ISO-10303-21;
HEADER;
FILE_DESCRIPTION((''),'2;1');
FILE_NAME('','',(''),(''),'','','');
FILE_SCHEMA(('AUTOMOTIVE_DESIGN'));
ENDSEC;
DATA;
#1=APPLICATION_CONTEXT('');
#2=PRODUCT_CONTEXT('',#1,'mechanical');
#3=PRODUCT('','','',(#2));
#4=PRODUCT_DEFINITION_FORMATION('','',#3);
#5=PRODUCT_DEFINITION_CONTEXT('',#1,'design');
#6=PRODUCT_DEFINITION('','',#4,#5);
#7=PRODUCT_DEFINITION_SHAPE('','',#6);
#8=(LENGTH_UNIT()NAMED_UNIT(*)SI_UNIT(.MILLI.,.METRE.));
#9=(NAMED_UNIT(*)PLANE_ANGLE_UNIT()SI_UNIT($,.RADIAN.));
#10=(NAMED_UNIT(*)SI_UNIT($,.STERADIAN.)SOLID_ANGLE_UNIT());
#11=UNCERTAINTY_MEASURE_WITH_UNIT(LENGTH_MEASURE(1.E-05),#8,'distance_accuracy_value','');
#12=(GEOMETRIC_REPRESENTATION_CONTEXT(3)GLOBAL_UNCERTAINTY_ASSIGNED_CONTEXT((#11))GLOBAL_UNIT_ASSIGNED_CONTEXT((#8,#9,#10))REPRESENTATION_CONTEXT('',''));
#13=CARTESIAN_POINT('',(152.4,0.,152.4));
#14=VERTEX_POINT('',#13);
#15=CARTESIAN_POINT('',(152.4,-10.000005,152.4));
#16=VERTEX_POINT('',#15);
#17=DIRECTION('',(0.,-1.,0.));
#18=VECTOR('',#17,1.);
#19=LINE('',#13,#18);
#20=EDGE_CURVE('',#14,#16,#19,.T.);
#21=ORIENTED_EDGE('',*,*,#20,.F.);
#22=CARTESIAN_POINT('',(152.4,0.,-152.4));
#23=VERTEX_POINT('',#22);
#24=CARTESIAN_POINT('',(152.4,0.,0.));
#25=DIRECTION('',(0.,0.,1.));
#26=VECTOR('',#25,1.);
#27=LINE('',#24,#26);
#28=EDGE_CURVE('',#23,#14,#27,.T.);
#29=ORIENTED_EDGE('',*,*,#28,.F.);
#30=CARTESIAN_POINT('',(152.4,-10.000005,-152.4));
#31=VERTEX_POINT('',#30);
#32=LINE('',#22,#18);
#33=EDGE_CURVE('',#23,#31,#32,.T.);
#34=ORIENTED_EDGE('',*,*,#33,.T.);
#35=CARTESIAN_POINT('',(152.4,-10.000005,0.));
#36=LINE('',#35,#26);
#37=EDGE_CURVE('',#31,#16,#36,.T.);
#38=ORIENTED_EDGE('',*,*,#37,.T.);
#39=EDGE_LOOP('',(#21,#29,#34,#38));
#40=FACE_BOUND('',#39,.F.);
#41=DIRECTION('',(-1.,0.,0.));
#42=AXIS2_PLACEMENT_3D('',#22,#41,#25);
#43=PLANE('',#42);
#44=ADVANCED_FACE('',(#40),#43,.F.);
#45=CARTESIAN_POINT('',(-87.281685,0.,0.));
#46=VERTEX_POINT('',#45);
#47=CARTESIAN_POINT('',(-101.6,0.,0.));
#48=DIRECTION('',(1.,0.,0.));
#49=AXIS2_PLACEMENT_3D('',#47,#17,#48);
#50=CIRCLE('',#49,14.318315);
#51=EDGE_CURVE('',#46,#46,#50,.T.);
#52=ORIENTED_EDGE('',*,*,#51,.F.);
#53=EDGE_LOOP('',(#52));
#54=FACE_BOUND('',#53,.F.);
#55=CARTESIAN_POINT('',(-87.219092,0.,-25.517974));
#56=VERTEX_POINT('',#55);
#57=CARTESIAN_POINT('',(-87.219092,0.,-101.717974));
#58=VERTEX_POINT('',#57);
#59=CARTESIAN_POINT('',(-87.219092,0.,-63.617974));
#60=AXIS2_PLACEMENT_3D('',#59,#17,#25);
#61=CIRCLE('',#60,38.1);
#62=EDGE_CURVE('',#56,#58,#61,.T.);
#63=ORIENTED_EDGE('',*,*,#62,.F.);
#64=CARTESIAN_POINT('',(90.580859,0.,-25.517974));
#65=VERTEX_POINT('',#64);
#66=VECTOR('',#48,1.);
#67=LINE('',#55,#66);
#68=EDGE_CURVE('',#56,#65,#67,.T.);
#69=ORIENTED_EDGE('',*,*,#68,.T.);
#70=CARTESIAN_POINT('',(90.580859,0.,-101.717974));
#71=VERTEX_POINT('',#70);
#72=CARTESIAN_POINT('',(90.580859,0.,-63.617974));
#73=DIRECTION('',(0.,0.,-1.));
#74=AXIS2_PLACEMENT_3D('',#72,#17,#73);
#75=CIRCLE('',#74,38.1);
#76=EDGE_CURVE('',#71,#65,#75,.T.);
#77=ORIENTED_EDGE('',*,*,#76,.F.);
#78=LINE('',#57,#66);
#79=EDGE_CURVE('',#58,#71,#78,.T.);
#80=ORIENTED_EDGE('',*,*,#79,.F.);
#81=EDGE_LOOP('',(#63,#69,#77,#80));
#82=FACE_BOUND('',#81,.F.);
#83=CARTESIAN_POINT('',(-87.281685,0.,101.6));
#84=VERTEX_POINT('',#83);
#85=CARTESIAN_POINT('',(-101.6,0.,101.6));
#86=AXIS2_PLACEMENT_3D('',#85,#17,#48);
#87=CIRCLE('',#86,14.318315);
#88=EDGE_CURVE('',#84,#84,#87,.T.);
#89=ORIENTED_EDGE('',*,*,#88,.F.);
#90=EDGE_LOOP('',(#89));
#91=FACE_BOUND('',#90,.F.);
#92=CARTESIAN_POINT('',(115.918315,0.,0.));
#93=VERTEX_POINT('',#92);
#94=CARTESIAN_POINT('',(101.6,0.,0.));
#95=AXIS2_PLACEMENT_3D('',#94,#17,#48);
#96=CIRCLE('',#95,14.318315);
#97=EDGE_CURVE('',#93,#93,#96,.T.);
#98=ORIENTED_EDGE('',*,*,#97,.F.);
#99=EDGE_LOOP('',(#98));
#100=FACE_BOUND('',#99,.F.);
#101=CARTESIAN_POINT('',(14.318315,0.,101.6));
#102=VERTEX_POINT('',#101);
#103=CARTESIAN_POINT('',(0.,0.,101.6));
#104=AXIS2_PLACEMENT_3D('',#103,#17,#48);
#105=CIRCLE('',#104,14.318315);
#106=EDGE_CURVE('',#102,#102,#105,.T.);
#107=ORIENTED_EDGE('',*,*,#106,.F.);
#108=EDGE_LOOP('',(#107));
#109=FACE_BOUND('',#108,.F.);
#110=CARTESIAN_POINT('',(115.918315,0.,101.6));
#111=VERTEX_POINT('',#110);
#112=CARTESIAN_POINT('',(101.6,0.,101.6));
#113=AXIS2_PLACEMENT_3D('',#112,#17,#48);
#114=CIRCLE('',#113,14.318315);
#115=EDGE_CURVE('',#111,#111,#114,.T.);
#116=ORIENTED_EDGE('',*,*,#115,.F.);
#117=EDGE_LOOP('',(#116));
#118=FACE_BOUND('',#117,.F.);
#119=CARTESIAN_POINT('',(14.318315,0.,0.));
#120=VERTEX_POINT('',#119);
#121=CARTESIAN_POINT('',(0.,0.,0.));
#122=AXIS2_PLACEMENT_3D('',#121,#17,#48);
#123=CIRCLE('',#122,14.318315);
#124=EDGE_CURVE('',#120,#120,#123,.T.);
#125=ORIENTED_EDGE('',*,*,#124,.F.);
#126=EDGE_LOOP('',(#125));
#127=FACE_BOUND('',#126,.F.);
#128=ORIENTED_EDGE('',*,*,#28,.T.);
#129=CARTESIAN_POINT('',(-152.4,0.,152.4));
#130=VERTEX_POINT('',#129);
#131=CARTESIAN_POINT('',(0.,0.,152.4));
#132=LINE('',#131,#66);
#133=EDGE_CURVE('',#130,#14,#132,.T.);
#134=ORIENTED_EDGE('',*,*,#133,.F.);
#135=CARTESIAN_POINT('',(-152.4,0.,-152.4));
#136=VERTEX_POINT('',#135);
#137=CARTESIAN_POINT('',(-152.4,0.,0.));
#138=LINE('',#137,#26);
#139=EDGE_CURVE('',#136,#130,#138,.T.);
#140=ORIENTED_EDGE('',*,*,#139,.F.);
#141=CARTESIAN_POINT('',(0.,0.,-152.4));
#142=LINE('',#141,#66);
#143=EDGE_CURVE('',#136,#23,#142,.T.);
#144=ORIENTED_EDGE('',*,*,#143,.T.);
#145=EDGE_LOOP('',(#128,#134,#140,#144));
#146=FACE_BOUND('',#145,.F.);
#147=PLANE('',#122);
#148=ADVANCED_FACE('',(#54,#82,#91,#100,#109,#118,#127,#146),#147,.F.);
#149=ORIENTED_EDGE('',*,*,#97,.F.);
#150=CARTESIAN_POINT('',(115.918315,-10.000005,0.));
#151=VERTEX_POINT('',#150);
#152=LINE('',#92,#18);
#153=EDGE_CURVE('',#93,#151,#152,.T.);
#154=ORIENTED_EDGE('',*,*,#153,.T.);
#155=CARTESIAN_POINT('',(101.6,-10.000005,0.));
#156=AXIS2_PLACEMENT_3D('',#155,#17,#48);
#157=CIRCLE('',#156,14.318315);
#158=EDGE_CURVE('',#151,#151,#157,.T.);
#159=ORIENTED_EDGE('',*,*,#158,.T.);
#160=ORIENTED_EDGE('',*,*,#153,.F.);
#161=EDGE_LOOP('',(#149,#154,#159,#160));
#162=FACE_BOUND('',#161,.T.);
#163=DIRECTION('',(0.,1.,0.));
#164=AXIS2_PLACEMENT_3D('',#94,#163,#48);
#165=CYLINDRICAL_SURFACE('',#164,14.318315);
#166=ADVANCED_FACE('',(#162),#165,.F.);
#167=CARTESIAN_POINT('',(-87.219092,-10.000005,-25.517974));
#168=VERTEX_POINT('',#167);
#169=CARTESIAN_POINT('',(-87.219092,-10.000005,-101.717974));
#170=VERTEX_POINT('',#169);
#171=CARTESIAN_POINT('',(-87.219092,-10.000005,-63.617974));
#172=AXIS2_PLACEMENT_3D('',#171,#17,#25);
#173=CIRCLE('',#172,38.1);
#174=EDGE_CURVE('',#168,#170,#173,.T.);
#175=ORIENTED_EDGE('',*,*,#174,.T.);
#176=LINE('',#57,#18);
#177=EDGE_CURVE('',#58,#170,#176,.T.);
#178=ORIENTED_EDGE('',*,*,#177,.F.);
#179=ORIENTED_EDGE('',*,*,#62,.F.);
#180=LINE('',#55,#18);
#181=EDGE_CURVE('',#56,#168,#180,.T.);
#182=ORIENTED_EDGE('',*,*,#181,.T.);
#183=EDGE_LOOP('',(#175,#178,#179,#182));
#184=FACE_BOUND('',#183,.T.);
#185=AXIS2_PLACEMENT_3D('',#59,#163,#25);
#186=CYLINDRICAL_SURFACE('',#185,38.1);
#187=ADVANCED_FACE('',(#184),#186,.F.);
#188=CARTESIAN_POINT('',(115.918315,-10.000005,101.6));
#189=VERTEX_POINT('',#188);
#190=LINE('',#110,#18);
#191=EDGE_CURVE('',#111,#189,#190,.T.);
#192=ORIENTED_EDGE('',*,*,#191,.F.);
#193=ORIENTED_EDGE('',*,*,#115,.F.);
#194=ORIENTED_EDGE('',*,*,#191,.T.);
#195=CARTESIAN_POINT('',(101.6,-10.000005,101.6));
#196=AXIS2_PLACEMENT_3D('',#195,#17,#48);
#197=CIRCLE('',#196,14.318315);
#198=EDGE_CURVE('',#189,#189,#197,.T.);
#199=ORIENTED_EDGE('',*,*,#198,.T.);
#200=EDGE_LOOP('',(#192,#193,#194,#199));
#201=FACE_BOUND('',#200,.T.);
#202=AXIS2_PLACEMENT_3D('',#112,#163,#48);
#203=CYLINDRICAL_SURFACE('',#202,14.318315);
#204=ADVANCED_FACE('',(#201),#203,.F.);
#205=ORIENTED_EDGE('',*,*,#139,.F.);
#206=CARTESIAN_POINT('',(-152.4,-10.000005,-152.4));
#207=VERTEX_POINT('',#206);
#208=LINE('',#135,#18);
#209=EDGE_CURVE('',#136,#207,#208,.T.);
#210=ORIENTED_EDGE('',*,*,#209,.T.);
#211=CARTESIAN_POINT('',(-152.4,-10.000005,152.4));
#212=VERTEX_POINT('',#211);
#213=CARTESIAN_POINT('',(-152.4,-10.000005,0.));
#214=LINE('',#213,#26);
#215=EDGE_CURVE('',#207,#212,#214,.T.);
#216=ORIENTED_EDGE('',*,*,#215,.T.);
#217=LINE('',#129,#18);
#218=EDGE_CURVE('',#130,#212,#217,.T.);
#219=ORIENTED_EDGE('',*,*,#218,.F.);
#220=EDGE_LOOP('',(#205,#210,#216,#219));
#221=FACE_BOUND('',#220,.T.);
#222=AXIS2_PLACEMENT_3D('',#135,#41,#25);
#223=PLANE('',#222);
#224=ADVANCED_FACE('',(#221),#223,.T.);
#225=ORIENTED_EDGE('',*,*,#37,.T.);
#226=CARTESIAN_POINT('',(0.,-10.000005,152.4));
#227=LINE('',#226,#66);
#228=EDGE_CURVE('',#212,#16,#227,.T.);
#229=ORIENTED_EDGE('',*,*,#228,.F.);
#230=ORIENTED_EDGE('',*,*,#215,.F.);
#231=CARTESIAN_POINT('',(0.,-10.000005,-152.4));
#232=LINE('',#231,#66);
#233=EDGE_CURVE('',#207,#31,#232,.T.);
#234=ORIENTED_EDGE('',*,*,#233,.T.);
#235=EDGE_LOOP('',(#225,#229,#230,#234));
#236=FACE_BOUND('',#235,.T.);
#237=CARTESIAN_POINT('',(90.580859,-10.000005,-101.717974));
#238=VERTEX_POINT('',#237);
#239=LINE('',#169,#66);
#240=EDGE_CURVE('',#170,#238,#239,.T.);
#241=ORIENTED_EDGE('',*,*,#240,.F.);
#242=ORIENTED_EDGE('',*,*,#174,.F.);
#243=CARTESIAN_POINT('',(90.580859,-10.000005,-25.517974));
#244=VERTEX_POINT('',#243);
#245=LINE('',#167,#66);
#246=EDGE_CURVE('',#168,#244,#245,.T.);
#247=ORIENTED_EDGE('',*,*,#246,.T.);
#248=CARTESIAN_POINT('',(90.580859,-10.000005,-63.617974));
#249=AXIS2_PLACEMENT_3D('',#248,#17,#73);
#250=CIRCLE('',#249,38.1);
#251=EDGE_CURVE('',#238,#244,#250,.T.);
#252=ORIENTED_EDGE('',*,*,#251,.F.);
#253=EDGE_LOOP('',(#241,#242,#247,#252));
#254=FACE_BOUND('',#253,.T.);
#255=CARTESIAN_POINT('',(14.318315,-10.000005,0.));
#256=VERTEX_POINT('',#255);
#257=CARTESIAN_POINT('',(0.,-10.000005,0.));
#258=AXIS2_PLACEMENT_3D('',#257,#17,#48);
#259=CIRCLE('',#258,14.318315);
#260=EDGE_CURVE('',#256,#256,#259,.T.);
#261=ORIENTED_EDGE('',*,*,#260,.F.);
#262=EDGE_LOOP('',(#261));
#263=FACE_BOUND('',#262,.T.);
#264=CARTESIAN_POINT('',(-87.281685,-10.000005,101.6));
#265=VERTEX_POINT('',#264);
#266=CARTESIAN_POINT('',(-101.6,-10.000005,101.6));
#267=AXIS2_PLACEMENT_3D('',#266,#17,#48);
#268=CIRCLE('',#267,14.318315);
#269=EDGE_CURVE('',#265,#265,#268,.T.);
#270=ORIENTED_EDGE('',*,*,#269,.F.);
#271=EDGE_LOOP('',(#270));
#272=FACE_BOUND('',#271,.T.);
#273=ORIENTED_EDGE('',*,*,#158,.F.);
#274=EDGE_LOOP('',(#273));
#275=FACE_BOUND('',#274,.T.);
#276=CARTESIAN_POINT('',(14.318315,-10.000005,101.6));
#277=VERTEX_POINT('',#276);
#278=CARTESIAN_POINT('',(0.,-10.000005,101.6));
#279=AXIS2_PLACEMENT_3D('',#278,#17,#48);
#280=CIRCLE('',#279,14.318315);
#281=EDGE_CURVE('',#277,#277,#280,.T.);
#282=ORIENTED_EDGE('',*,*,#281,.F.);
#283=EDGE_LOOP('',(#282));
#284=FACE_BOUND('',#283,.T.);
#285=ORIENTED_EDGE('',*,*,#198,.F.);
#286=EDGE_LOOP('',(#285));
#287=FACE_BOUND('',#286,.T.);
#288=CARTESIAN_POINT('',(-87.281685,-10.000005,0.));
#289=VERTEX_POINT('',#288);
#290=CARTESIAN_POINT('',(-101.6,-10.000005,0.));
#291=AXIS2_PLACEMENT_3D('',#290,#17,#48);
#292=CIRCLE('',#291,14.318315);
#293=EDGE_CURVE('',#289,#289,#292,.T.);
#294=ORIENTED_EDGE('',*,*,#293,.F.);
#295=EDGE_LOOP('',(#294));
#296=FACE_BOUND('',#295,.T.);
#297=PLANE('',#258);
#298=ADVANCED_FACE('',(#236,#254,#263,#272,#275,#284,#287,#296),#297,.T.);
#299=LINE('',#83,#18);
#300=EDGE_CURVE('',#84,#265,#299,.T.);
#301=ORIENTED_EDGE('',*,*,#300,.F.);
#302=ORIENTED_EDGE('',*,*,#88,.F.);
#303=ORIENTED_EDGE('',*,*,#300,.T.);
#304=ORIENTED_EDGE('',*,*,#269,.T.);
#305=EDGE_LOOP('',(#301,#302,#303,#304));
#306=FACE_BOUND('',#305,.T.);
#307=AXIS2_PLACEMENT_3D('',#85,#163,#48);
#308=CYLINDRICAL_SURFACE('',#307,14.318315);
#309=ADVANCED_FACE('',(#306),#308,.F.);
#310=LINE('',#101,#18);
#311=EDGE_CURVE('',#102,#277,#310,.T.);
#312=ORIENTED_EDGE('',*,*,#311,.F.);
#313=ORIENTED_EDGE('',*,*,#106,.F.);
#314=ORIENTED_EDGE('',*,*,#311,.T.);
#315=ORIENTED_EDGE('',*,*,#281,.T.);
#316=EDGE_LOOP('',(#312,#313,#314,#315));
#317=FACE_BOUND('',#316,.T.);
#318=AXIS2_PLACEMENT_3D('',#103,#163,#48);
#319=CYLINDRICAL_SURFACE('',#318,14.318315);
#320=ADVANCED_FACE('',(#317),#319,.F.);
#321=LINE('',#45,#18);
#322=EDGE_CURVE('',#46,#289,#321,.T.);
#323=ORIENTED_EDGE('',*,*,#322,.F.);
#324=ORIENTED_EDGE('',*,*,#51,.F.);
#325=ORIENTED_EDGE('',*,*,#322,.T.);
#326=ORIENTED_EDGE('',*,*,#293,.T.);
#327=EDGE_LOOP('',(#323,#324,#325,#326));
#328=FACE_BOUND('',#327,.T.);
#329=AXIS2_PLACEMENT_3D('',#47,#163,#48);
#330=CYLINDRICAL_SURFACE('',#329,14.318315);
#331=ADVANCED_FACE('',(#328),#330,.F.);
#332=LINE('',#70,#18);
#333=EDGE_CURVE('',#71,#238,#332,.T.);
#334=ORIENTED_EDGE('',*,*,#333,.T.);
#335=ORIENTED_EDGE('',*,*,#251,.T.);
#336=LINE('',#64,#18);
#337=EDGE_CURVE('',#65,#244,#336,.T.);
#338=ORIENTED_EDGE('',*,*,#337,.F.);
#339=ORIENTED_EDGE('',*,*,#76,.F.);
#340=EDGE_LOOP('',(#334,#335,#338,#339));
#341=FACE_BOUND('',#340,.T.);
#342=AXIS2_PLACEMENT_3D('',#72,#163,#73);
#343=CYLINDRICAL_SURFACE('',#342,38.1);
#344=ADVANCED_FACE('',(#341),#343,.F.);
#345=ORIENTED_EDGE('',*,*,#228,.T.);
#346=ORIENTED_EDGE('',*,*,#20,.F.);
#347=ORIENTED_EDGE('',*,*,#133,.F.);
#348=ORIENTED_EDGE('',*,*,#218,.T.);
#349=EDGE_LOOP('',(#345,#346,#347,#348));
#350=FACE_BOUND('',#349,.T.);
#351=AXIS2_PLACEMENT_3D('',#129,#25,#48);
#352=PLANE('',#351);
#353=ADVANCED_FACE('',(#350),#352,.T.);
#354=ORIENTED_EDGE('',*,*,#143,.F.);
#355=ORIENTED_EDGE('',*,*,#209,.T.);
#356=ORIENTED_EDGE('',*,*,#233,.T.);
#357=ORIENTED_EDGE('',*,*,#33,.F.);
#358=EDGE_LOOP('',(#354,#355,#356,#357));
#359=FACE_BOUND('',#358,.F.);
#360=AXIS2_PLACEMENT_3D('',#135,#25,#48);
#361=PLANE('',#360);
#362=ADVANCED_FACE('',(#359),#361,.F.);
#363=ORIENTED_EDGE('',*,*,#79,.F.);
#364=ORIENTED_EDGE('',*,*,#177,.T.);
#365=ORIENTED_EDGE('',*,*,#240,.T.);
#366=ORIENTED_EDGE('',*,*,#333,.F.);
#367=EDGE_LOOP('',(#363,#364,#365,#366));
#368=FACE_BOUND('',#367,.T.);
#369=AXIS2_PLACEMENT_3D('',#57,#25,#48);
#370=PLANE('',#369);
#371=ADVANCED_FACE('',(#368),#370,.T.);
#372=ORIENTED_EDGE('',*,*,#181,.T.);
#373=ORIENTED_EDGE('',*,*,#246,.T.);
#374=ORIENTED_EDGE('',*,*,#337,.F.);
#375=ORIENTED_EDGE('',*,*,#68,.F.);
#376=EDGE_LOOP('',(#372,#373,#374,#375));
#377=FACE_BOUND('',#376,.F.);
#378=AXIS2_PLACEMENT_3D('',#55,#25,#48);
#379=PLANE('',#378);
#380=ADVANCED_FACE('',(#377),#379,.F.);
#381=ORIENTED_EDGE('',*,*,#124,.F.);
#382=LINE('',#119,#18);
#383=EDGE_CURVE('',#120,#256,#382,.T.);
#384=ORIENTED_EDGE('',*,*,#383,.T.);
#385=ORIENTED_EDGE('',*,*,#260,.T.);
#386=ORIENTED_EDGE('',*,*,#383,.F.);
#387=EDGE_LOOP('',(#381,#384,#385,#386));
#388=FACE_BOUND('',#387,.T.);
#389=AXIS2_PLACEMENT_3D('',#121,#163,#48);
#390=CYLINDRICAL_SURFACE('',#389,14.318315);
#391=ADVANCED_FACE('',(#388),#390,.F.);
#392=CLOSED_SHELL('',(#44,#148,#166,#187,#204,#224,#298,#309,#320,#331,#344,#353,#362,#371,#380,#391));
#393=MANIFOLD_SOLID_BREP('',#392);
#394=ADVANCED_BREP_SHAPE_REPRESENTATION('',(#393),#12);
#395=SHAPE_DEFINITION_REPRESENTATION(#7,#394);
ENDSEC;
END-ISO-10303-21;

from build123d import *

# Parameters (mm, degrees)
SKETCH_W  = 304.8
SKETCH_H  = 304.8
SKETCH_R  = 14.318315
PAD_DEPTH = 10.000005


with BuildPart() as part:
    # Sketch → Pad (new body)
    with BuildSketch(Plane.XZ):
        Rectangle(SKETCH_W, SKETCH_H)
        with Locations((101.6, 101.6)):
            Circle(SKETCH_R, mode=Mode.SUBTRACT)
        with Locations((-101.6, 0)):
            Circle(SKETCH_R, mode=Mode.SUBTRACT)
        with Locations((101.6, 0)):
            Circle(SKETCH_R, mode=Mode.SUBTRACT)
        with Locations((0, 101.6)):
            Circle(SKETCH_R, mode=Mode.SUBTRACT)
        Circle(SKETCH_R, mode=Mode.SUBTRACT)
        with Locations((-101.6, 101.6)):
            Circle(SKETCH_R, mode=Mode.SUBTRACT)
        with BuildLine():
            ThreePointArc((-87.219092, -25.517974), (-125.319092, -63.617974), (-87.219092, -101.717974))
            Line((-87.219092, -101.717974), (90.580859, -101.717974))
            ThreePointArc((90.580859, -101.717974), (128.680859, -63.617974), (90.580859, -25.517974))
            Line((-87.219092, -25.517974), (90.580859, -25.517974))
        make_face(mode=Mode.SUBTRACT)
    extrude(amount=PAD_DEPTH)


solid = part.part
